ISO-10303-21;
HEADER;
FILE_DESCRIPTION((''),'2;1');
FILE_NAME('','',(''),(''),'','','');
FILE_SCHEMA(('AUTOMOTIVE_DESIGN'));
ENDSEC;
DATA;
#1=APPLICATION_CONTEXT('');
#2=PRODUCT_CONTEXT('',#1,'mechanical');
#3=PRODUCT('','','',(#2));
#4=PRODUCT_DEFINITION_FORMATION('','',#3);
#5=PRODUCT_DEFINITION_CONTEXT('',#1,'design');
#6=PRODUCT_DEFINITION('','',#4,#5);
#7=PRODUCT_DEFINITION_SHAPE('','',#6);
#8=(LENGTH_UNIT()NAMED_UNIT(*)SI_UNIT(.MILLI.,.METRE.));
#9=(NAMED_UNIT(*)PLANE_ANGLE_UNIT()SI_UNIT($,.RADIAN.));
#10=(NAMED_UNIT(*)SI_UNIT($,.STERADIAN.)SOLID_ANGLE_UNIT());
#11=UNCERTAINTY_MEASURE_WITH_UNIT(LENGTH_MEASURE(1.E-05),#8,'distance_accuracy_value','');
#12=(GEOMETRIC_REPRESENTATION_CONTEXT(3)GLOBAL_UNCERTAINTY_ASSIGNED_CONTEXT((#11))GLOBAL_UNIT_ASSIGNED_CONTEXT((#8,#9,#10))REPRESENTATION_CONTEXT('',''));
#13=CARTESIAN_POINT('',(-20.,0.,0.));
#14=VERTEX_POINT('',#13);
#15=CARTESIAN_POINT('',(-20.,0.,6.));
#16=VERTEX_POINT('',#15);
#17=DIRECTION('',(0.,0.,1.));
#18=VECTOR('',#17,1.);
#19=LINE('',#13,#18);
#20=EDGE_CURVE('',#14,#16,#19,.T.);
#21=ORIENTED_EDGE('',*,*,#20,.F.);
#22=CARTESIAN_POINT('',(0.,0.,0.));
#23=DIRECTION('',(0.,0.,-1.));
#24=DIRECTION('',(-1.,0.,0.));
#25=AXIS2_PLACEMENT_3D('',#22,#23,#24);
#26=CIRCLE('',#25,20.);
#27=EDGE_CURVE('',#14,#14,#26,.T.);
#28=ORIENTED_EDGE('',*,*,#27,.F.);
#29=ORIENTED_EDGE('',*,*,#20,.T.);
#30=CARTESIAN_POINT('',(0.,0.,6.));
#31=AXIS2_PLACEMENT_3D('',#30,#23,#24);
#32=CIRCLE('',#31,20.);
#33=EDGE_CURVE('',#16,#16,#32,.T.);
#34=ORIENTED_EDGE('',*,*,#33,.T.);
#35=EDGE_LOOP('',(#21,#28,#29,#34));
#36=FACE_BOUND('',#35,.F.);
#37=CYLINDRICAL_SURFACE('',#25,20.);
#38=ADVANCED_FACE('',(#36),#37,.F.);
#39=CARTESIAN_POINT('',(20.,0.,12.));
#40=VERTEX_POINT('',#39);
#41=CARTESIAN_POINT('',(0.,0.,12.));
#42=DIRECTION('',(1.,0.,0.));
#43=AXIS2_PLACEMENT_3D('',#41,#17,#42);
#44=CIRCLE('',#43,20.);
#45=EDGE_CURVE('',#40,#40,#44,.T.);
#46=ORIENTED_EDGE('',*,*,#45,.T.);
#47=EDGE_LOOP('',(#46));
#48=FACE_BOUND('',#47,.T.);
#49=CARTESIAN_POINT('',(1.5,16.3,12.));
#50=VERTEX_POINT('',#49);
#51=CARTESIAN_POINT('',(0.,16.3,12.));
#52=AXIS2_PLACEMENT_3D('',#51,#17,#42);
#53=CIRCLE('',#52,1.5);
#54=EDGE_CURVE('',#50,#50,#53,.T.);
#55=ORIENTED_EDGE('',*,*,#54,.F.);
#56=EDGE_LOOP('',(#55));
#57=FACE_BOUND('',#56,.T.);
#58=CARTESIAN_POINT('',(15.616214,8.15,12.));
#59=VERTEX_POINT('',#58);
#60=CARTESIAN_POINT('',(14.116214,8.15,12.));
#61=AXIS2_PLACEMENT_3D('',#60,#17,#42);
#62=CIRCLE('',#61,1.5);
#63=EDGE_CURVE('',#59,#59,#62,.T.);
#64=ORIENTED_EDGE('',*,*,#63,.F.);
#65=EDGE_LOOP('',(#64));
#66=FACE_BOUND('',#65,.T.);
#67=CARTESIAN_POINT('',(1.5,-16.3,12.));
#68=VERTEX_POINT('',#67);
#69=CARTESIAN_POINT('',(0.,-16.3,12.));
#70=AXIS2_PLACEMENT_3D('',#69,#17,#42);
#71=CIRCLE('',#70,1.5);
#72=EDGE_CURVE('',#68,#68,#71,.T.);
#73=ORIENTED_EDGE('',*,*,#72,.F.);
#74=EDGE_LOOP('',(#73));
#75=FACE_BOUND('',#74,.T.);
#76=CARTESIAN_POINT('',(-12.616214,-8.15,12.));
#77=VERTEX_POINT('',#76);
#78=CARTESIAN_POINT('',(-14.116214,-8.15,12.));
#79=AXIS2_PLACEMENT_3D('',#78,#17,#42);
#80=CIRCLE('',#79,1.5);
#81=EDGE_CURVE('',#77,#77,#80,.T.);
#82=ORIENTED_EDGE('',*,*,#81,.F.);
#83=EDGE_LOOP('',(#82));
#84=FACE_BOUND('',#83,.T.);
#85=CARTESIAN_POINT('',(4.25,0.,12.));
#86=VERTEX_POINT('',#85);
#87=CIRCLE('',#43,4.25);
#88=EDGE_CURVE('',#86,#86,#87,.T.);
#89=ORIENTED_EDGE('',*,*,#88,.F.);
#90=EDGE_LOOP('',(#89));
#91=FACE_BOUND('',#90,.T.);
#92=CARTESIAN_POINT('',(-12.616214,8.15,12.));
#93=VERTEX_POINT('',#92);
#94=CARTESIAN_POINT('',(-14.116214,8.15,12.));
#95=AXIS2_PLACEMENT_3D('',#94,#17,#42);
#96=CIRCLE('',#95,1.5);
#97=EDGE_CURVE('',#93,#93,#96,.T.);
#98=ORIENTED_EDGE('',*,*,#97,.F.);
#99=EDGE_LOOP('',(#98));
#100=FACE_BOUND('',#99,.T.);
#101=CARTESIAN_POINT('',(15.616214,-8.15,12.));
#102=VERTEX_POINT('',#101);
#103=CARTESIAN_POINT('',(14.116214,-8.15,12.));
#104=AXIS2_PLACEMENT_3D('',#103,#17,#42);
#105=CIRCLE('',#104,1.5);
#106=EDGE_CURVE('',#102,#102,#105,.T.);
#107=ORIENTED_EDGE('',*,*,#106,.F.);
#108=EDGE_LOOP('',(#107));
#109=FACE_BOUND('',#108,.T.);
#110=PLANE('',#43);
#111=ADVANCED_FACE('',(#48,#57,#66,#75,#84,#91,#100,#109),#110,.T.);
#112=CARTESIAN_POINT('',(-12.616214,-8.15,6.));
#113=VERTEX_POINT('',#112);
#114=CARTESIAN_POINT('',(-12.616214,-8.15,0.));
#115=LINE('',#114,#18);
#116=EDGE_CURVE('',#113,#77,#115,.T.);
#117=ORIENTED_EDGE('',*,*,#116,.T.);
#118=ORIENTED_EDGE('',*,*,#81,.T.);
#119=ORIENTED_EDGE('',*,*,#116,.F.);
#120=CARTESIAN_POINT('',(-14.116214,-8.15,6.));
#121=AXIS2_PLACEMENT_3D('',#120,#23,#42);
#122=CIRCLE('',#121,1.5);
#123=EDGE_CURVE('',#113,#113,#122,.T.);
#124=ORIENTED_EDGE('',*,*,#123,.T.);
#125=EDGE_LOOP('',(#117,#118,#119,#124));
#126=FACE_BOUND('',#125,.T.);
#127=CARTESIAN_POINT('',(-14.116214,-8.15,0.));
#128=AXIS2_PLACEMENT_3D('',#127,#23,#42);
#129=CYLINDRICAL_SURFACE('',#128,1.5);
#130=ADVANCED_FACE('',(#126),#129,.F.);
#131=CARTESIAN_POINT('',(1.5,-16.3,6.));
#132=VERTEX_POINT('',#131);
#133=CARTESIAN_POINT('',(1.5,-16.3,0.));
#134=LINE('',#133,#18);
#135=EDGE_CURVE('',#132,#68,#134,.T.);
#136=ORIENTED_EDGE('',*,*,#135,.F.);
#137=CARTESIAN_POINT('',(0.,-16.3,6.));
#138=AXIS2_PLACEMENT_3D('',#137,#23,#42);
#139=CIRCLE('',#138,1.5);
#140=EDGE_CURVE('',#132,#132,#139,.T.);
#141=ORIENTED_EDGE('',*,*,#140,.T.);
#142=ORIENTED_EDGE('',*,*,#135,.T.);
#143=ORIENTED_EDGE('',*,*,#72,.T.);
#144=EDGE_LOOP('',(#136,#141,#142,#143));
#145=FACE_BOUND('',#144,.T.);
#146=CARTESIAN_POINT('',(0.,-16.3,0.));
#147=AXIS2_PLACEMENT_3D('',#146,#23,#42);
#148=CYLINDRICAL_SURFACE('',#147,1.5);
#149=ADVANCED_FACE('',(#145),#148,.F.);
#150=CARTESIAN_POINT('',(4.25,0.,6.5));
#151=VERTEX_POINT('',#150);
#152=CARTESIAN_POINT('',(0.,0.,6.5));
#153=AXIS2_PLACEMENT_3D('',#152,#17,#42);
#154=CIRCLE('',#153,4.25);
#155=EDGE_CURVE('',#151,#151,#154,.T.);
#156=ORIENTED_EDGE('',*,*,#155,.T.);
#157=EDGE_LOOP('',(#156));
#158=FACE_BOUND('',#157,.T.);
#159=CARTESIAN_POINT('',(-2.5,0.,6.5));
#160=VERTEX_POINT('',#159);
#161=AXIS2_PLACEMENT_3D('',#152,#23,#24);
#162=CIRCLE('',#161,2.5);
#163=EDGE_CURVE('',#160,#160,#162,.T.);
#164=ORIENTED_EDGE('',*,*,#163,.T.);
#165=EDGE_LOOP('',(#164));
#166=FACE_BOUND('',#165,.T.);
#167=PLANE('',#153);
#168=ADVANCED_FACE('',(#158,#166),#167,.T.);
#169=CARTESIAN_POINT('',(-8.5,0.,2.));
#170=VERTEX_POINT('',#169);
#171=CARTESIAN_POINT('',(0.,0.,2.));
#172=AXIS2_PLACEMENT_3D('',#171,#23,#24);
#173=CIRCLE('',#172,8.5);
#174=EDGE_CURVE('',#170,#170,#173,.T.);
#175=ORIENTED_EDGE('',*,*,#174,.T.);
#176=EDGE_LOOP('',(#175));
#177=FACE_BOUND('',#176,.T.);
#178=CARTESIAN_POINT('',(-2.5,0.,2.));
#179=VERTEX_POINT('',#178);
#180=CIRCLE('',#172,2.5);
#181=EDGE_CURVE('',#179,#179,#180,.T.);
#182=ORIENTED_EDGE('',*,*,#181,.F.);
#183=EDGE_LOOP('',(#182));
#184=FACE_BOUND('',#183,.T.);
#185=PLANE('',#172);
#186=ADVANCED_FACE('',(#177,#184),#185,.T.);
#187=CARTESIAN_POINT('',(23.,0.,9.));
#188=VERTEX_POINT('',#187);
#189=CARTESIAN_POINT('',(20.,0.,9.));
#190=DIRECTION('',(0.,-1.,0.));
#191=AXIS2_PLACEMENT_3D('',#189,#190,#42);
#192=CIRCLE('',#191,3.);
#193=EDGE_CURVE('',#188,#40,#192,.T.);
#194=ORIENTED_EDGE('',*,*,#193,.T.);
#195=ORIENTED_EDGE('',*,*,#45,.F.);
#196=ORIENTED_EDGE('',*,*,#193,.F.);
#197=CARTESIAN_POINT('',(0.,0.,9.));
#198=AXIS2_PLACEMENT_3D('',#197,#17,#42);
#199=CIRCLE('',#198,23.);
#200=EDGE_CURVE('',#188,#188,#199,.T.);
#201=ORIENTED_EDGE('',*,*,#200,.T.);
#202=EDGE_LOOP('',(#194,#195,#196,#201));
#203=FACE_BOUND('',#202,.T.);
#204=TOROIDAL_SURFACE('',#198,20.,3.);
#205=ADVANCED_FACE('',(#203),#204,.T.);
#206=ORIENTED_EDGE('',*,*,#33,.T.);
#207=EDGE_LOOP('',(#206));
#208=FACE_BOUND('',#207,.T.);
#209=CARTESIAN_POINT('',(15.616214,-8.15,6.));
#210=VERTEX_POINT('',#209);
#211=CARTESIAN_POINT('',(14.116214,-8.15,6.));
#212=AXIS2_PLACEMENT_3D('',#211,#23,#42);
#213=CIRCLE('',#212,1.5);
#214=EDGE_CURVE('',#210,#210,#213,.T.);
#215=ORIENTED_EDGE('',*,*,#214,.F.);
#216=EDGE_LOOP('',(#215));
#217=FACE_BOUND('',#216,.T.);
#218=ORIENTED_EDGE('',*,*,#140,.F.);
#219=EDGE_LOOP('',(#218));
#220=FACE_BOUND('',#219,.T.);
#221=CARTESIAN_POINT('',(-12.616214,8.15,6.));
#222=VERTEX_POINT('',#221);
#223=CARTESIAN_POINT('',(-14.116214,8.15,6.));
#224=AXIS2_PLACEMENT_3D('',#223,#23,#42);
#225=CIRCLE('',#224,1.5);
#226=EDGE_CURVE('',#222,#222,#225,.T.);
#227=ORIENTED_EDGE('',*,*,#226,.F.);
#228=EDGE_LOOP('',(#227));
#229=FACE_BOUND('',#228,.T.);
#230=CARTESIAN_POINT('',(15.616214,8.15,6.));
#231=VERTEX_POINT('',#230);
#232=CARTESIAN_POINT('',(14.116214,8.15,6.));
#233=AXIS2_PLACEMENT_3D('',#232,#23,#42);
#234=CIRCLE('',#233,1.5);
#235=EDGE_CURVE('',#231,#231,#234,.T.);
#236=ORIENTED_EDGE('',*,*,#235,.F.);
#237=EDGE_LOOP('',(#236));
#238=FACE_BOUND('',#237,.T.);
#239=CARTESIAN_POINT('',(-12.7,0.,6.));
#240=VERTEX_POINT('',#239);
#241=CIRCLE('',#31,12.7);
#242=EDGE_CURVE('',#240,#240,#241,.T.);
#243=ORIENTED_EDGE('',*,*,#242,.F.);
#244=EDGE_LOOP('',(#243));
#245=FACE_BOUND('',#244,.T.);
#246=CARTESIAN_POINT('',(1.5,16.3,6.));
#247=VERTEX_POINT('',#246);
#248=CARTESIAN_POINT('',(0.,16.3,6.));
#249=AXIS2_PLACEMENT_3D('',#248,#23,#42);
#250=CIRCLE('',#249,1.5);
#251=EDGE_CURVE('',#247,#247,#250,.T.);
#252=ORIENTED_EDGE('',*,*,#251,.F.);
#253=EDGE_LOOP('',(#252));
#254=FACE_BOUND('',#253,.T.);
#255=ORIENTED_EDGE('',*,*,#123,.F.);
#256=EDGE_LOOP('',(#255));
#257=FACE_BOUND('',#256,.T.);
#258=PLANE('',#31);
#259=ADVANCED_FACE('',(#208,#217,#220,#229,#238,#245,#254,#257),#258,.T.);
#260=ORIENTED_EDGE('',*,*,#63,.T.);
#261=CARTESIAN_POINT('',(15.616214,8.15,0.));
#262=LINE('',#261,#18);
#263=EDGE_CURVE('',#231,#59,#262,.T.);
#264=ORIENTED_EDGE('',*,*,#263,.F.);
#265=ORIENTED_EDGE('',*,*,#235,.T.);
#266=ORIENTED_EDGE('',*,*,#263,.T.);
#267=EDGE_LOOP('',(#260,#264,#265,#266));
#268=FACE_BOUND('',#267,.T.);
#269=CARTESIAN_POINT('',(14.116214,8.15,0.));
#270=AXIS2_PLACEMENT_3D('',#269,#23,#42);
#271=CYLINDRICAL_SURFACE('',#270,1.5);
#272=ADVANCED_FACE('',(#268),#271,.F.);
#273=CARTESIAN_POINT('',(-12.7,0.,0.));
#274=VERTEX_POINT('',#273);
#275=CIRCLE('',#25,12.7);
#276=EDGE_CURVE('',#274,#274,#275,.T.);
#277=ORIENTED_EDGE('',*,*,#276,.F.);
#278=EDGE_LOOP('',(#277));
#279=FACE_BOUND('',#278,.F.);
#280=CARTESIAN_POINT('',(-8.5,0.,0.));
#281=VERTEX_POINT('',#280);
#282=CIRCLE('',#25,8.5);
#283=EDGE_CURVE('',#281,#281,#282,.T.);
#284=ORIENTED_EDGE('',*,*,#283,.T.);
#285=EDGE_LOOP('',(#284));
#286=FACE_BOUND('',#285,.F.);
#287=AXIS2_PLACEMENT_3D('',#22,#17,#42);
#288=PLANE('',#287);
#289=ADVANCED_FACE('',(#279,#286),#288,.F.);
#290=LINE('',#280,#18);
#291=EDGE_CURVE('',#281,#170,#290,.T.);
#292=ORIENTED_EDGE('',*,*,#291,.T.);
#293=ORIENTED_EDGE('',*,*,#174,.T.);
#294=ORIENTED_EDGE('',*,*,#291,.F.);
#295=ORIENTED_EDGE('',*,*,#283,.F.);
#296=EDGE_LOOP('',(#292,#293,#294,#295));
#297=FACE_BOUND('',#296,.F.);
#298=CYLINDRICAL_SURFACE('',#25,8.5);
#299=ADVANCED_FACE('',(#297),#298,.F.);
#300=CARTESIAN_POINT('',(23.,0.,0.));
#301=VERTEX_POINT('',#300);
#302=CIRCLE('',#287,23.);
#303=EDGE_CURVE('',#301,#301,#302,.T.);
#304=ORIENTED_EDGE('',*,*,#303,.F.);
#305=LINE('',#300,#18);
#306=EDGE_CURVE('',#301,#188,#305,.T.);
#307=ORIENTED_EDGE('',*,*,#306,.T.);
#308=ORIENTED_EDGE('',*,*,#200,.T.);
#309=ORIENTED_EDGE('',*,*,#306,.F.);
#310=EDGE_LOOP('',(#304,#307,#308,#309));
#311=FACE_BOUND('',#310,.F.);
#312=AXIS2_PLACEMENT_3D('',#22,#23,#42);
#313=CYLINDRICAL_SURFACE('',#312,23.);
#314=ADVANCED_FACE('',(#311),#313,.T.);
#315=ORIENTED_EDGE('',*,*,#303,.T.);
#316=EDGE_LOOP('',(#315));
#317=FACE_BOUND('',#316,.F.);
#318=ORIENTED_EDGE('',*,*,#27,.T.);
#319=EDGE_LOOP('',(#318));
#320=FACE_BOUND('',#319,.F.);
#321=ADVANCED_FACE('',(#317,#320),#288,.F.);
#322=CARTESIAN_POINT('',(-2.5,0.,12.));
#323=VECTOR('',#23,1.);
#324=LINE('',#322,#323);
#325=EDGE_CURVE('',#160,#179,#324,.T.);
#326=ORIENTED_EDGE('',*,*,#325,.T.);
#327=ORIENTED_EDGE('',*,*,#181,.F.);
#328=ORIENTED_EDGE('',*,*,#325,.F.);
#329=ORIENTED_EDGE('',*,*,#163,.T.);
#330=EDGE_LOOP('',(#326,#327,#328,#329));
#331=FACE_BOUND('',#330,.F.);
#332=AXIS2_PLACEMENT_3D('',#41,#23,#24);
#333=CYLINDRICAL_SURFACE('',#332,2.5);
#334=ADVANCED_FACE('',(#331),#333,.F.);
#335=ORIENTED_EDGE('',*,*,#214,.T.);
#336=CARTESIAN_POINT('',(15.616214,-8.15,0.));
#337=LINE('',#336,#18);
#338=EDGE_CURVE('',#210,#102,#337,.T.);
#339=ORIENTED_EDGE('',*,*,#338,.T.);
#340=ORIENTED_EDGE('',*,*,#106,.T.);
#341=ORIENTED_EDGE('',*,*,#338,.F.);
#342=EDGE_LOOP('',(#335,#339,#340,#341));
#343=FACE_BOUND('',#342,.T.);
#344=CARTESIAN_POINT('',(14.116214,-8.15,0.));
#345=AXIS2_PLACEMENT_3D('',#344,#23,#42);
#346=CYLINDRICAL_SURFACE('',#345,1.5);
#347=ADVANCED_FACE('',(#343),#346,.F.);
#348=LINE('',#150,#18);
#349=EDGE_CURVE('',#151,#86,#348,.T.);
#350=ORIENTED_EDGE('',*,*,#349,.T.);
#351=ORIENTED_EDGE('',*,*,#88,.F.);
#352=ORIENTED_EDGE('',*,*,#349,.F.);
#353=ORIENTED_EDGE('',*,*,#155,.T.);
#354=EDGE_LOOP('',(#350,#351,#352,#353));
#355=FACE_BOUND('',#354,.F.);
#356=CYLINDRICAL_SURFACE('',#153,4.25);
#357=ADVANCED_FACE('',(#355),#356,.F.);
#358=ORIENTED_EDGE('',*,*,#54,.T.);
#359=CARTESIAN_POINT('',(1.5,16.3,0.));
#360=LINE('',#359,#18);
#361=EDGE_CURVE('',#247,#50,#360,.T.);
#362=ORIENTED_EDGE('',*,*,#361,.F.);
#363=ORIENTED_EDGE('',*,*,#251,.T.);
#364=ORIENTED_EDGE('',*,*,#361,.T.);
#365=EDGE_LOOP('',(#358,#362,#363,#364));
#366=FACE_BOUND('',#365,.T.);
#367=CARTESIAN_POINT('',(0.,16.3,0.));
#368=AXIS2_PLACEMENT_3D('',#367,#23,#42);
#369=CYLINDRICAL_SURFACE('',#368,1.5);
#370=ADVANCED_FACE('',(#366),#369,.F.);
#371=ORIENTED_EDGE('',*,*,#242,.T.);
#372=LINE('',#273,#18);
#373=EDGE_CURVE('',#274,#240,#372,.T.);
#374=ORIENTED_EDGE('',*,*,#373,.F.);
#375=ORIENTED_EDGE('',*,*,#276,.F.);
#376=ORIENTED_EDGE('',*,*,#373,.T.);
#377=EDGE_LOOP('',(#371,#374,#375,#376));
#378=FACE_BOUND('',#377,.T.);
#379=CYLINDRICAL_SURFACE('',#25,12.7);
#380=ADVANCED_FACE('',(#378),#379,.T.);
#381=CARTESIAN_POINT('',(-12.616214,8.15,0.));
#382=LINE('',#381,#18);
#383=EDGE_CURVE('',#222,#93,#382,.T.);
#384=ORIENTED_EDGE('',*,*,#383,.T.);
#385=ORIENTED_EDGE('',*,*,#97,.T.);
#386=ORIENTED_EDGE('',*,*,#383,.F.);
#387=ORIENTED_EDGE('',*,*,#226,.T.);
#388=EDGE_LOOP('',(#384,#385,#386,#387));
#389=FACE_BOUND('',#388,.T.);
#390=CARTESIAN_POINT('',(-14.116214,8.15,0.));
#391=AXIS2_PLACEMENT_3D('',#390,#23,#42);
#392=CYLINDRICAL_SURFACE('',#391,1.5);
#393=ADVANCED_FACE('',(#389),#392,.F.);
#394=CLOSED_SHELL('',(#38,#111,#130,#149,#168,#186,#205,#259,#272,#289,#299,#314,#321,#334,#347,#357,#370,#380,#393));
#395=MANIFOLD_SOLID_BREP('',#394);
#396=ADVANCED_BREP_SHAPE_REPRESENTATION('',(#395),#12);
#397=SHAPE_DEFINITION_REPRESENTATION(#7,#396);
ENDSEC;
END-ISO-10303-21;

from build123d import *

# Parameters (mm, degrees)
SKETCH1_R                               = 23
SKETCH1_R_2                             = 1.5
BOSS_EXTRUDE1_DEPTH                     = 12
SKETCH2_R                               = 20
SKETCH2_R_2                             = 12.7
CUT_EXTRUDE1_DEPTH                      = 6
FILLET1_R                               = 3
CBORE_FOR_M5_HEX_HEAD_BOLT1_D           = 5
CBORE_FOR_M5_HEX_HEAD_BOLT1_CBORE_D     = 8.5
CBORE_FOR_M5_HEX_HEAD_BOLT1_CBORE_DEPTH = 5.5
SKETCH5_R                               = 8.5
CUT_EXTRUDE2_DEPTH                      = 2


with BuildPart() as part:
    # Sketch1 → Boss-Extrude1 (new body)
    with BuildSketch(Plane.XY):
        Circle(SKETCH1_R)
        with Locations((0, 16.3)):
            Circle(SKETCH1_R_2, mode=Mode.SUBTRACT)
        with Locations((14.116214082, 8.15)):
            Circle(SKETCH1_R_2, mode=Mode.SUBTRACT)
        with Locations((14.116214082, -8.15)):
            Circle(SKETCH1_R_2, mode=Mode.SUBTRACT)
        with Locations((0, -16.3)):
            Circle(SKETCH1_R_2, mode=Mode.SUBTRACT)
        with Locations((-14.116214082, -8.15)):
            Circle(SKETCH1_R_2, mode=Mode.SUBTRACT)
        with Locations((-14.116214082, 8.15)):
            Circle(SKETCH1_R_2, mode=Mode.SUBTRACT)
    extrude(amount=BOSS_EXTRUDE1_DEPTH)

    # Sketch2 → Cut-Extrude1 (cut)
    with BuildSketch(Plane(origin=(0, 0, 0), x_dir=(-1, 0, 0), z_dir=(0, 0, -1))):
        Circle(SKETCH2_R)
        Circle(SKETCH2_R_2, mode=Mode.SUBTRACT)
    extrude(amount=-CUT_EXTRUDE1_DEPTH, mode=Mode.SUBTRACT)

    # Fillet1
    fillet1_edges = [part.edges().sort_by_distance(p)[0] for p in [
        (-23, 0, 12),
    ]]
    fillet(fillet1_edges, radius=FILLET1_R)

    # CBORE for M5 Hex Head Bolt1 (through all)
    with Locations(Plane.XY.offset(12)):
        with Locations((0, 0)):
            CounterBoreHole(CBORE_FOR_M5_HEX_HEAD_BOLT1_D / 2, CBORE_FOR_M5_HEX_HEAD_BOLT1_CBORE_D / 2, CBORE_FOR_M5_HEX_HEAD_BOLT1_CBORE_DEPTH)

    # Sketch5 → Cut-Extrude2 (cut)
    with BuildSketch(Plane(origin=(0, 0, 0), x_dir=(-1, 0, 0), z_dir=(0, 0, -1))):
        Circle(SKETCH5_R)
    extrude(amount=-CUT_EXTRUDE2_DEPTH, mode=Mode.SUBTRACT)


solid = part.part
